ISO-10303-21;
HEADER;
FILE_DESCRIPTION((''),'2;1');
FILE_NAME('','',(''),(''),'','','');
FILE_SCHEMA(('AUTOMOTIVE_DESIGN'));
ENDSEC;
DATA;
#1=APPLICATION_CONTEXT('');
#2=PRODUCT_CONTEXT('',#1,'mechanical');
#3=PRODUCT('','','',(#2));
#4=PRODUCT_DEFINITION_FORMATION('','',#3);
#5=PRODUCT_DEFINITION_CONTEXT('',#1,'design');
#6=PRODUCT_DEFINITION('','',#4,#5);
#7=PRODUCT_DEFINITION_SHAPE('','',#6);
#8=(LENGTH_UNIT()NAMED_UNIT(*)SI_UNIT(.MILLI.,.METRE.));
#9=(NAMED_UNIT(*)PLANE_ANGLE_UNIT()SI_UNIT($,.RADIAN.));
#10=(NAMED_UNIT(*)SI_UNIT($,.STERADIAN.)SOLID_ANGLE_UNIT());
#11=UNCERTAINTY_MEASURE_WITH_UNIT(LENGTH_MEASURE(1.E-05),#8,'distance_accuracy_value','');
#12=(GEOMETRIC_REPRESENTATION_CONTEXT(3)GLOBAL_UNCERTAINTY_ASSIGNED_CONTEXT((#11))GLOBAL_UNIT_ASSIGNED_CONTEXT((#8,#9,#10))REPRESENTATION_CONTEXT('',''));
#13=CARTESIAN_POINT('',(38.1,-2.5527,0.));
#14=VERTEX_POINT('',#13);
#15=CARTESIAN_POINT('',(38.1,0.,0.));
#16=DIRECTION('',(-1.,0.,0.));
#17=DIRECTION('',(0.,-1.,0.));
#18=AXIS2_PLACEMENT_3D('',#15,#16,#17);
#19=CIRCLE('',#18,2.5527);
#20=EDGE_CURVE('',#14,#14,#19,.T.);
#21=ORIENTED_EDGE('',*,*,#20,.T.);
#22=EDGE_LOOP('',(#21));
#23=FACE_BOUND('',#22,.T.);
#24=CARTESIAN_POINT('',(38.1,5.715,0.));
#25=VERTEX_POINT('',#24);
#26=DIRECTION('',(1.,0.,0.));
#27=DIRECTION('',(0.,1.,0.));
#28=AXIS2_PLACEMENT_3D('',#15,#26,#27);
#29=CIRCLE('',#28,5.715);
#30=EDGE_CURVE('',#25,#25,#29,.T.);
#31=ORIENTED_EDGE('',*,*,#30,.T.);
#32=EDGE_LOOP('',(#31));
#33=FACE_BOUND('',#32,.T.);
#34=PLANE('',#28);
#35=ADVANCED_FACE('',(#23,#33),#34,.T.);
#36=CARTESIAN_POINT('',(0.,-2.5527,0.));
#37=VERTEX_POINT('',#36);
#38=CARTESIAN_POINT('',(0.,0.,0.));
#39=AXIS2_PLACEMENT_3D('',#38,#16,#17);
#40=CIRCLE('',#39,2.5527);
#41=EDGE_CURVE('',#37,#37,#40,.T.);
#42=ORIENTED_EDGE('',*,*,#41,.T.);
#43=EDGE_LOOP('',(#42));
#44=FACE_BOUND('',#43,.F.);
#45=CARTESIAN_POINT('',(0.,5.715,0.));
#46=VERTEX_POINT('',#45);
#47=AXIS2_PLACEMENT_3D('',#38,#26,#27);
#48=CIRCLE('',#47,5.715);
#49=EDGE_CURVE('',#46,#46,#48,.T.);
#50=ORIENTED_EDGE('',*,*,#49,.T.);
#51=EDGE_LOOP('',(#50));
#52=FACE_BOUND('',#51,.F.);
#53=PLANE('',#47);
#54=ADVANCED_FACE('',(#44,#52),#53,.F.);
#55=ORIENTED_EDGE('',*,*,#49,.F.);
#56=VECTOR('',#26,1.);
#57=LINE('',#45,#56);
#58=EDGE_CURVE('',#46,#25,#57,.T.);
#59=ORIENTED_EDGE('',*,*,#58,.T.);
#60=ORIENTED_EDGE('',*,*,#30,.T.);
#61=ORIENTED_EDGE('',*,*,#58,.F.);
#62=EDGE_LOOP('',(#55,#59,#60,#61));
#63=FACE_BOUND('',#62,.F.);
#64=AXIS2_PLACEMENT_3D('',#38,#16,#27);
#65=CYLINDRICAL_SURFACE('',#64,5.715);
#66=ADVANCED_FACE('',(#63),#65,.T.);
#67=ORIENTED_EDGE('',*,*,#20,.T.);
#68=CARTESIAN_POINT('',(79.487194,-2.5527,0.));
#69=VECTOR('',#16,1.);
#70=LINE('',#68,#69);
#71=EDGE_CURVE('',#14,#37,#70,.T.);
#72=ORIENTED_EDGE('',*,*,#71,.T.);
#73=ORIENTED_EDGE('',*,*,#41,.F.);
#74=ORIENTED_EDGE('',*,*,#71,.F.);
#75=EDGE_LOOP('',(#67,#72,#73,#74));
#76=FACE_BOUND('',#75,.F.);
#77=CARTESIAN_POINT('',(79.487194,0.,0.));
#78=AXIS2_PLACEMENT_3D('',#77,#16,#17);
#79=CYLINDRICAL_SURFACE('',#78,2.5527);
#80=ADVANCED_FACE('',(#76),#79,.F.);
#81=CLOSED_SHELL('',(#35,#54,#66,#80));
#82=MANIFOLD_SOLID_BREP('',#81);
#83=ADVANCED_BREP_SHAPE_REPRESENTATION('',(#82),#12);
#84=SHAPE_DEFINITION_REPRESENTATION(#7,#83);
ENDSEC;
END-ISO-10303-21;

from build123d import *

# Parameters (mm, degrees)
F0_R     = 5.715
F1_DEPTH = 38.1
F3_D     = 5.1054


with BuildPart() as f1:
    # F0 (on Right) → F1 (new body)
    with BuildSketch(Plane.YZ):
        Circle(F0_R)
    extrude(amount=F1_DEPTH)

    # F3 (through all)
    with Locations(Plane.YZ.offset(38.1)):
        with Locations((0, 0)):
            Hole(F3_D / 2)


solid = f1.part
